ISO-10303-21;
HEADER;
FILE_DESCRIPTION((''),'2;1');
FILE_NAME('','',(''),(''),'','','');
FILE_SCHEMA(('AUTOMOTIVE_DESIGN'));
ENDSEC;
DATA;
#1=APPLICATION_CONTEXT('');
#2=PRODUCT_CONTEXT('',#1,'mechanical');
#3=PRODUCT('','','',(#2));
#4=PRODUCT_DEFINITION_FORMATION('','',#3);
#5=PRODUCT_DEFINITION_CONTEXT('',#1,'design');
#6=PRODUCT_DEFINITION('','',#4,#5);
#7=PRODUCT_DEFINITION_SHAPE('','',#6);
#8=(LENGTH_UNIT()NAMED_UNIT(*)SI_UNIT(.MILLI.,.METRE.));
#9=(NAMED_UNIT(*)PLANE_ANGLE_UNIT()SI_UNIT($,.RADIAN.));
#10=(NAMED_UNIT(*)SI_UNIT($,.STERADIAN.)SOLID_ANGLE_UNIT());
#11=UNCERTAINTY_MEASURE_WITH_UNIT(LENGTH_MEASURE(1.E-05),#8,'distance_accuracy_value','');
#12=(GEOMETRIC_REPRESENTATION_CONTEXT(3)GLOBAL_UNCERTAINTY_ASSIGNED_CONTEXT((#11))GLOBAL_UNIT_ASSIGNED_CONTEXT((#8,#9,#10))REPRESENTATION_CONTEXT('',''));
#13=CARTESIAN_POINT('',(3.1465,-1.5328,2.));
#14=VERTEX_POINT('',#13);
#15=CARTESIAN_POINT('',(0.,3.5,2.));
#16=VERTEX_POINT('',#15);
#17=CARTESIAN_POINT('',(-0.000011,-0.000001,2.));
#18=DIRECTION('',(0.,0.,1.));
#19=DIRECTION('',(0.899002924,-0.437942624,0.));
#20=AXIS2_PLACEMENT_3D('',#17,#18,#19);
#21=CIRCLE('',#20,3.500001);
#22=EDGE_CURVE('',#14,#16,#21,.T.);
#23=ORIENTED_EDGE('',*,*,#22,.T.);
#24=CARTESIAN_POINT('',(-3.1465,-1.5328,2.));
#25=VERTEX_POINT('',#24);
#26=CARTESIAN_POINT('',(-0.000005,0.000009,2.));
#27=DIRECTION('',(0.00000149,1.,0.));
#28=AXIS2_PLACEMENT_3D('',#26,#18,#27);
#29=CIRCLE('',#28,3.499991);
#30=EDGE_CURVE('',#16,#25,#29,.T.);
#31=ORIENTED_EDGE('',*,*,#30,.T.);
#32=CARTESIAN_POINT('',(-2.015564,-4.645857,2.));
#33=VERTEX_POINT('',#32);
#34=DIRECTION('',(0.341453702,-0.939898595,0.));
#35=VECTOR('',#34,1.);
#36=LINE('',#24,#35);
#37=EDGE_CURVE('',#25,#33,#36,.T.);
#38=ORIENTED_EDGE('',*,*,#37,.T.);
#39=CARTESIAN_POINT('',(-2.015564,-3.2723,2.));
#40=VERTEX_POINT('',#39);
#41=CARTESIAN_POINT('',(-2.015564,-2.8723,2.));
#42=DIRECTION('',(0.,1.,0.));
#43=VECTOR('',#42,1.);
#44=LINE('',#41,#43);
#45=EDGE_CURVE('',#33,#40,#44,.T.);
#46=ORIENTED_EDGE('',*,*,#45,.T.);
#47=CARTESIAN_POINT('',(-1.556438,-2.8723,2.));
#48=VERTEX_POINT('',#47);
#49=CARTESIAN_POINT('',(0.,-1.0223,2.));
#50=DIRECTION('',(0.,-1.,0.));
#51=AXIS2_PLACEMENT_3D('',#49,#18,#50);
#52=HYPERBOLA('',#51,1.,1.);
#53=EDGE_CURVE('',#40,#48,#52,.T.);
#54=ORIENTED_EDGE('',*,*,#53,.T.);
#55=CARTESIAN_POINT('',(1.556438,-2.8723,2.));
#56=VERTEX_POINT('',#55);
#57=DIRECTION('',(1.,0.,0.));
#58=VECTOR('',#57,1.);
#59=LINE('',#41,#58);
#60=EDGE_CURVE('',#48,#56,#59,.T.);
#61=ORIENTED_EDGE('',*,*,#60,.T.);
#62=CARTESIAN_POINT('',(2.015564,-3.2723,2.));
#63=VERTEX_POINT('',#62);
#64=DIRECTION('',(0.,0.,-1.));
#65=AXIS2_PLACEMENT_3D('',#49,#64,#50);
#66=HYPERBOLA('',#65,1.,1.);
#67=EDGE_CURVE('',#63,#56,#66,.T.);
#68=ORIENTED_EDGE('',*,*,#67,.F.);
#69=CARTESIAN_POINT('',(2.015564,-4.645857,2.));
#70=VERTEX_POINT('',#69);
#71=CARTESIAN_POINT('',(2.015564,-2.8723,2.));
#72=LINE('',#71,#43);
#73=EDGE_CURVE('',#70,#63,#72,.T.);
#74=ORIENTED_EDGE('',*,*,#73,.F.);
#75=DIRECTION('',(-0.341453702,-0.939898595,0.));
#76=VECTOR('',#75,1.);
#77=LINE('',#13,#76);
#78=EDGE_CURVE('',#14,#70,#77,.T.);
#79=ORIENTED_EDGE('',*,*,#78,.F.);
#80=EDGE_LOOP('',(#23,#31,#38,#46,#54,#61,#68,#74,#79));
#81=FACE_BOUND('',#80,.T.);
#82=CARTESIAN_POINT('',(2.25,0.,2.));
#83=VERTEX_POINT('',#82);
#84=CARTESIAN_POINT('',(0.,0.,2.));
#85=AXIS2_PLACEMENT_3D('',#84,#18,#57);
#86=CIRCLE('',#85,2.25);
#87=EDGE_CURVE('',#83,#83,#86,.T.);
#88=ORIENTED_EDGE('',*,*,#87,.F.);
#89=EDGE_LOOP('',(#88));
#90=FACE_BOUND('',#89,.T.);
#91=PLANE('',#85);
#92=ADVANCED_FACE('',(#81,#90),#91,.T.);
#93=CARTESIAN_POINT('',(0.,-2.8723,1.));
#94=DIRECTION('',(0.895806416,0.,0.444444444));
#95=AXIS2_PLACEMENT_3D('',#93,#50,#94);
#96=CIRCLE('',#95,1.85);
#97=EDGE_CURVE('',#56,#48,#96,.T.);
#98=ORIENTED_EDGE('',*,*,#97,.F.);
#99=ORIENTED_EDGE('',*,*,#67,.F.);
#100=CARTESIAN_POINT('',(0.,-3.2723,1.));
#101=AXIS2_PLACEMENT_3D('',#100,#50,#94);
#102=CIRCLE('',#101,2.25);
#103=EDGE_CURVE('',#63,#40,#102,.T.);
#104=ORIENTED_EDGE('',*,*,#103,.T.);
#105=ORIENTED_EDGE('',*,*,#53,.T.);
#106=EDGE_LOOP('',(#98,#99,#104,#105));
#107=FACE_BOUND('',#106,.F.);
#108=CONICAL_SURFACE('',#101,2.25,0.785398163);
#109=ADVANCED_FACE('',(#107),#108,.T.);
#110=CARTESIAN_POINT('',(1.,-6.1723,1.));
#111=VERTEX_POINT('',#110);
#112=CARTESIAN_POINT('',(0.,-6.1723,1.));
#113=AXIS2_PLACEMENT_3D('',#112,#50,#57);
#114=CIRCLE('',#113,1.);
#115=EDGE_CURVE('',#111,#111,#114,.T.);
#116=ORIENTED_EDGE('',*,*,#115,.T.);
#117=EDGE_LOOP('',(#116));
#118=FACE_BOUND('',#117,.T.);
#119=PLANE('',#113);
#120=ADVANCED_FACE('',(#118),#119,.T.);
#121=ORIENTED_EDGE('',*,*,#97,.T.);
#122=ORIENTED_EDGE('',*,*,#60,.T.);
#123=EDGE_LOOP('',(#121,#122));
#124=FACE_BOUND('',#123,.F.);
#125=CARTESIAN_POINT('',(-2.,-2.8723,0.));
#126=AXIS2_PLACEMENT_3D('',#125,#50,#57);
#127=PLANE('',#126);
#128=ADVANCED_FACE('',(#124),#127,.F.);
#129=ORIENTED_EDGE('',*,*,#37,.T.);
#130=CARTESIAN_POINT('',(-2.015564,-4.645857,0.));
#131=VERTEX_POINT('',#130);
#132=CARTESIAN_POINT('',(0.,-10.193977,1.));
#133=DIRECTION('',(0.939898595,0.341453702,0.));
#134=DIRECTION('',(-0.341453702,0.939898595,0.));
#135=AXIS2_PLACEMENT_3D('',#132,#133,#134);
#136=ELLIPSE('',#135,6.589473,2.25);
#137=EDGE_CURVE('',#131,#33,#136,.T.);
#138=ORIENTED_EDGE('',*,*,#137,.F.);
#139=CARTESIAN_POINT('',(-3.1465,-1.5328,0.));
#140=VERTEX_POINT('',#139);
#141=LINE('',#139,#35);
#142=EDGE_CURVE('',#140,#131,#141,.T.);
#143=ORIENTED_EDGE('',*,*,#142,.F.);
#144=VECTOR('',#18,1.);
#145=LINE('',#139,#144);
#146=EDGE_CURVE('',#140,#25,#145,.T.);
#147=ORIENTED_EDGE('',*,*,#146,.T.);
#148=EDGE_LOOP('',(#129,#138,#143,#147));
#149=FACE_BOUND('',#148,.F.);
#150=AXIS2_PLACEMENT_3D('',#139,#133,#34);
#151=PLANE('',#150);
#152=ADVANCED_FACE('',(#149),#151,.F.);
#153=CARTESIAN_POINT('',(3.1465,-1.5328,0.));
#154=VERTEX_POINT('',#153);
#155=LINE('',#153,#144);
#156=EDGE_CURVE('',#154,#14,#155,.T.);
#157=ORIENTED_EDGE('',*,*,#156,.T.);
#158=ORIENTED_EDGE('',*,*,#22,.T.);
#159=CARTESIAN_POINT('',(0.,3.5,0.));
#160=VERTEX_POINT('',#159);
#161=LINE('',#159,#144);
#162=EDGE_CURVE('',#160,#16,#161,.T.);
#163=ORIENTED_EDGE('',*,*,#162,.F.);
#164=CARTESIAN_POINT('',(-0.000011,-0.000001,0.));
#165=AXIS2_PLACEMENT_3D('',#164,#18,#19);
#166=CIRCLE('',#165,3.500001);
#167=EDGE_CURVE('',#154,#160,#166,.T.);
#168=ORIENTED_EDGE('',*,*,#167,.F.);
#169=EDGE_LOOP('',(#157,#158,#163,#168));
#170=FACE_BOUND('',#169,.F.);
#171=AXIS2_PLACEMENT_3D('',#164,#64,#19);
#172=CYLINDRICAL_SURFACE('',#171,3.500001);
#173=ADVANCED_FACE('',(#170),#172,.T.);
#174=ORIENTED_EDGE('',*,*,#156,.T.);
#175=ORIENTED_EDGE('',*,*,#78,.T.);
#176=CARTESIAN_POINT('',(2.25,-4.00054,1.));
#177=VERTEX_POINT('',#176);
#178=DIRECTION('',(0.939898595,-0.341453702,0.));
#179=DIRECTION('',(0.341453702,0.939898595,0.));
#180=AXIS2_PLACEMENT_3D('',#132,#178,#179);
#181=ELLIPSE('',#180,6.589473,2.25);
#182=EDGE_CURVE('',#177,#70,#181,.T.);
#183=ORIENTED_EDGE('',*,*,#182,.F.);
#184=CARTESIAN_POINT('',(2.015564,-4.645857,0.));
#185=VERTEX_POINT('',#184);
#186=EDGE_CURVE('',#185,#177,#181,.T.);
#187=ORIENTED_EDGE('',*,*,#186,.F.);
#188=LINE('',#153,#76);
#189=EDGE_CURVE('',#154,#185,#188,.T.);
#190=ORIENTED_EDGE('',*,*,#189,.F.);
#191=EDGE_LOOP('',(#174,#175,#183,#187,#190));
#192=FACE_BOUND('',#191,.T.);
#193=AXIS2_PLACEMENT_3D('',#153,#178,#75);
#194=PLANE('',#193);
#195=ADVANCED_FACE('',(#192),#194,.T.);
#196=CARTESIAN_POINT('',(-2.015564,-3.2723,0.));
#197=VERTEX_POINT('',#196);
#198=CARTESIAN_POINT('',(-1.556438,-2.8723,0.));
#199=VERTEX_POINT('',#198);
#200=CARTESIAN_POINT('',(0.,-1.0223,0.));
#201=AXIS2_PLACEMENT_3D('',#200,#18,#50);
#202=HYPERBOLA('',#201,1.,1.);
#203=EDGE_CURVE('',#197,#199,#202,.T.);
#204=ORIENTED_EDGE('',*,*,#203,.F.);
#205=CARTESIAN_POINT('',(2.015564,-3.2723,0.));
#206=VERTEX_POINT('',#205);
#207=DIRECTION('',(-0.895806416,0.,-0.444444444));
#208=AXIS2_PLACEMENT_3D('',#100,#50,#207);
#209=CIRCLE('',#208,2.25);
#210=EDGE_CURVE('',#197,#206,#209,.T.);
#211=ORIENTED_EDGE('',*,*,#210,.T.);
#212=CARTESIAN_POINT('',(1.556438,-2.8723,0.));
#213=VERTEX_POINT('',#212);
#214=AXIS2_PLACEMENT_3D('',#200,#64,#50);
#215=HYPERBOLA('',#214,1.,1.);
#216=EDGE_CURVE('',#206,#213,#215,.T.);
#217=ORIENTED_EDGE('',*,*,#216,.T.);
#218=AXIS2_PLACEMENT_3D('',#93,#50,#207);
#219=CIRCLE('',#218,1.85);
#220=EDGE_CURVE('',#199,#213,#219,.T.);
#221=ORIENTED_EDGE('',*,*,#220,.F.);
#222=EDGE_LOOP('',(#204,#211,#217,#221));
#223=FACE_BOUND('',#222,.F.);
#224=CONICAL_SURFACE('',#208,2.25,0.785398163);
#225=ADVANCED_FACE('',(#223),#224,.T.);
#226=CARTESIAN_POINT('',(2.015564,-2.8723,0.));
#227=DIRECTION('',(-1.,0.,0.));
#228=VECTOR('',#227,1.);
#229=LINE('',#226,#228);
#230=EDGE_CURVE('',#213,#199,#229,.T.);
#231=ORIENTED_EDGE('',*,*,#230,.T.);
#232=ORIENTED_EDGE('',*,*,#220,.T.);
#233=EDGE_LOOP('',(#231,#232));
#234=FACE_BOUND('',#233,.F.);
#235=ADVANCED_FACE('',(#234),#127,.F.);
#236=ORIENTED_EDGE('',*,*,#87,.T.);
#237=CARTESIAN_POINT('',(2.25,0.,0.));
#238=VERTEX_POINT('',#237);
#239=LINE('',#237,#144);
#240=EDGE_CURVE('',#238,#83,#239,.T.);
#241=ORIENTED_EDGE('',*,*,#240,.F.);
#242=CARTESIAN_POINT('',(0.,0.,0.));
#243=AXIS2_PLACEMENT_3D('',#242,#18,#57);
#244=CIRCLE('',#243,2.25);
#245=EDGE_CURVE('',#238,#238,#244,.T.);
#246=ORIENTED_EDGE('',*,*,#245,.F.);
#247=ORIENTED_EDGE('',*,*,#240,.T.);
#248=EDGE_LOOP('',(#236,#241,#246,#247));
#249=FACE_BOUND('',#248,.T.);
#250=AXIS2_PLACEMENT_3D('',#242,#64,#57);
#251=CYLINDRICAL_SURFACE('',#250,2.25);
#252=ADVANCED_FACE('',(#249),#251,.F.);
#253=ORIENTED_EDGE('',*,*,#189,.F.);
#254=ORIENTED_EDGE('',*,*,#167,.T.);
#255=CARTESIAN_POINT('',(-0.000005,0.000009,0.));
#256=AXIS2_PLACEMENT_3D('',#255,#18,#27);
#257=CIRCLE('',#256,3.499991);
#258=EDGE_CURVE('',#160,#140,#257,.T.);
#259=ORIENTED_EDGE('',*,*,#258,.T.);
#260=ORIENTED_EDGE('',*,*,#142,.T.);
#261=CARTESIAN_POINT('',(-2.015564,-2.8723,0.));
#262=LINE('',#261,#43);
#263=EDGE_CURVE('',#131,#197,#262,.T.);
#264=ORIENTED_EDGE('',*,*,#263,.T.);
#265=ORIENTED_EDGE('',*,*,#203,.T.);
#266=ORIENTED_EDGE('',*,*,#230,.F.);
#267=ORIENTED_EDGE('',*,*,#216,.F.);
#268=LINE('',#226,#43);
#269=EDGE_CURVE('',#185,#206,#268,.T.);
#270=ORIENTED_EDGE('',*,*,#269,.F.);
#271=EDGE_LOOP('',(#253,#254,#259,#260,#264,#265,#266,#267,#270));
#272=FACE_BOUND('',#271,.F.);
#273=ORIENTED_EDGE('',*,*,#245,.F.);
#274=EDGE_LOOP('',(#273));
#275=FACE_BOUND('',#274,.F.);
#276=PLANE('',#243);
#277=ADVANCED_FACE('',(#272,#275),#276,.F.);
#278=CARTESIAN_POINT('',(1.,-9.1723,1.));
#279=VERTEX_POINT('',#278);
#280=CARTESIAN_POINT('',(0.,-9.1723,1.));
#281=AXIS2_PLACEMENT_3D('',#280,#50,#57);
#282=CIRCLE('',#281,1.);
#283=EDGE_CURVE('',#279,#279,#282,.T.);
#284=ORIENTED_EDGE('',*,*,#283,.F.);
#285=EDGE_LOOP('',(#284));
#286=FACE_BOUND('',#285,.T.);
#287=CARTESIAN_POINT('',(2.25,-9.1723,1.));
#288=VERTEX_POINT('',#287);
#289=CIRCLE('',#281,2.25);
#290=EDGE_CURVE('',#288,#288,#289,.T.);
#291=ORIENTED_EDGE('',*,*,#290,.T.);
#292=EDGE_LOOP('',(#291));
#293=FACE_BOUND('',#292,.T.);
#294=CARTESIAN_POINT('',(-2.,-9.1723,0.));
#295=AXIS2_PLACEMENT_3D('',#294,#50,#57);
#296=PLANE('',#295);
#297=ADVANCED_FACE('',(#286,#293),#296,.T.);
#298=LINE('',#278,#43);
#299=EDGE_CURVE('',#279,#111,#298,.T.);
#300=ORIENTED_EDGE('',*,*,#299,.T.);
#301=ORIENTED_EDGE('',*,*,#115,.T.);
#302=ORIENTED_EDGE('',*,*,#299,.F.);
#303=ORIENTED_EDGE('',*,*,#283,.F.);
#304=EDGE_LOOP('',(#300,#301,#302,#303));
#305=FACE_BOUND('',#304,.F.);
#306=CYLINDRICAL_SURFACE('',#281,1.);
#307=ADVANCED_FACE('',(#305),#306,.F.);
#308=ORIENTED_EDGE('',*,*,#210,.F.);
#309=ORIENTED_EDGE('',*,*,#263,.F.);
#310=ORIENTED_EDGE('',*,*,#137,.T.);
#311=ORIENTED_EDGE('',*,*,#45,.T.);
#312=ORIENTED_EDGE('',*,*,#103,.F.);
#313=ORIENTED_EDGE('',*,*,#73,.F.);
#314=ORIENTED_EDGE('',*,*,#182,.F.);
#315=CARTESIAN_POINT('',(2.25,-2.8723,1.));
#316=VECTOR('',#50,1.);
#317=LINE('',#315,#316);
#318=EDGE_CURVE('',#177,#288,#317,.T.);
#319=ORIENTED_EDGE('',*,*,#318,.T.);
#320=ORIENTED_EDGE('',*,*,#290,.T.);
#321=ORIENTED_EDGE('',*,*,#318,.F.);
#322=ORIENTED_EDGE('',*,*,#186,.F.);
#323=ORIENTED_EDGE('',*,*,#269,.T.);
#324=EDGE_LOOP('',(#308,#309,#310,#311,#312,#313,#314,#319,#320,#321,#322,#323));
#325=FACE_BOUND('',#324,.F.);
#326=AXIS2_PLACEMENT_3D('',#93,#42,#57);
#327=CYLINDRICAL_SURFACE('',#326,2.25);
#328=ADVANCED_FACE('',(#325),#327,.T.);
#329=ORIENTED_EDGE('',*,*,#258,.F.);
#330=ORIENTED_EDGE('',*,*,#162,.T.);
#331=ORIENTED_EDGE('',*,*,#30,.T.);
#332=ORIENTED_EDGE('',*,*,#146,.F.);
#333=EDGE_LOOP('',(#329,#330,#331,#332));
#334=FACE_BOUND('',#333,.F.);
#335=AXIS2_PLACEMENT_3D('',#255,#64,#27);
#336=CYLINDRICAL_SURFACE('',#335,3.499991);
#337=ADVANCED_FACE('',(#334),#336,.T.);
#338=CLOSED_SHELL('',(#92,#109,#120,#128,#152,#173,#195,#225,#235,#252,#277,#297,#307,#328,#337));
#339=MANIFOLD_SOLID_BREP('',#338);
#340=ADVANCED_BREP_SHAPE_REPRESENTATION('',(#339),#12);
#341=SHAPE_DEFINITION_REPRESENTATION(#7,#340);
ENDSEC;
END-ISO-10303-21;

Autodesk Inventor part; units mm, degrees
ref_plane "YZ Plane" through (0, 0, 0) normal (1, 0, 0) x (0, 1, 0)
ref_plane "XZ Plane" through (0, 0, 0) normal (0, 1, 0) x (-1, 0, 0)
ref_plane "XY Plane" through (0, 0, 0) normal (0, 0, 1) x (1, 0, 0)
sketch "Sketch1" plane through (0, 0, 0) normal (0, 0, 1) x (1, 0, 0)
  circle A0 centre (0, 0) radius 2.25
  line L0 (0, 0) -> (0, -9.3774) construction
  line L1 (0, -9.3774) -> (2, -9.3774) construction
  line L2 (2, -9.3774) -> (2, -2.8723) construction
  circle A1 centre (0, 0) radius 3.5 construction
  line L3 (3.1465, -1.5328) -> (2, -4.6887)
  arc A2 (3.1465, -1.5328) -> (0, 3.5) centre (0, 0) ccw
  line L4 (-3.1465, -1.5328) -> (-2, -4.6887)
  arc A3 (0, 3.5) -> (-3.1465, -1.5328) centre (0, 0) ccw
  line L5 (2, -4.6887) -> (2, -2.8723)
  line L6 (-2, -4.6887) -> (-2, -2.8723)
  line L7 (-2, -2.8723) -> (2, -2.8723)
  dimension "d1" = 4.5
  dimension "d2" = 2
  dimension "d3" = 7
extrude "Extrusion1" add sketch "Sketch1" along normal blind 2
sketch "Sketch2" plane through (-2, -2.8723, 0) normal (0, -1, 0) x (1, 0, 0)
  line L0 (4, 2) -> (0, 2) projected
  line L1 (0, 0) -> (0, 2) projected
  line L2 (0, 0) -> (4, 0) projected
  line L3 (4, 0) -> (4, 2) projected
  line L4 (0, 2) -> (4, 0) construction
  line L5 (4, 2) -> (0, 0) construction
  circle A0 centre (2, 1) radius 2.25
  point P0 (2, 0)
  dimension "d6" = 4.5
extrude "Extrusion2" add sketch "Sketch2" along normal blind 6.3 contours L3 L2 L1 L0 | A0
sketch "Sketch3" plane through (0, -9.1723, 1) normal (0, -1, 0) x (1, 0, 0)
  circle A0 centre (0, 0) radius 2.25 projected
  circle A1 centre (0, 0) radius 1
  point P0 (0, -1)
  dimension "d9" = 2
extrude "Extrusion3" cut sketch "Sketch3" against normal blind 3 contours A1
chamfer "Chamfer1" distance 0.4 angle 45 1 edges at (0, -2.8723, -1.25)
chamfer "Chamfer2" distance 0.4 angle 45 1 edges at (0, -2.8723, 3.25)
properties part number "union2"
